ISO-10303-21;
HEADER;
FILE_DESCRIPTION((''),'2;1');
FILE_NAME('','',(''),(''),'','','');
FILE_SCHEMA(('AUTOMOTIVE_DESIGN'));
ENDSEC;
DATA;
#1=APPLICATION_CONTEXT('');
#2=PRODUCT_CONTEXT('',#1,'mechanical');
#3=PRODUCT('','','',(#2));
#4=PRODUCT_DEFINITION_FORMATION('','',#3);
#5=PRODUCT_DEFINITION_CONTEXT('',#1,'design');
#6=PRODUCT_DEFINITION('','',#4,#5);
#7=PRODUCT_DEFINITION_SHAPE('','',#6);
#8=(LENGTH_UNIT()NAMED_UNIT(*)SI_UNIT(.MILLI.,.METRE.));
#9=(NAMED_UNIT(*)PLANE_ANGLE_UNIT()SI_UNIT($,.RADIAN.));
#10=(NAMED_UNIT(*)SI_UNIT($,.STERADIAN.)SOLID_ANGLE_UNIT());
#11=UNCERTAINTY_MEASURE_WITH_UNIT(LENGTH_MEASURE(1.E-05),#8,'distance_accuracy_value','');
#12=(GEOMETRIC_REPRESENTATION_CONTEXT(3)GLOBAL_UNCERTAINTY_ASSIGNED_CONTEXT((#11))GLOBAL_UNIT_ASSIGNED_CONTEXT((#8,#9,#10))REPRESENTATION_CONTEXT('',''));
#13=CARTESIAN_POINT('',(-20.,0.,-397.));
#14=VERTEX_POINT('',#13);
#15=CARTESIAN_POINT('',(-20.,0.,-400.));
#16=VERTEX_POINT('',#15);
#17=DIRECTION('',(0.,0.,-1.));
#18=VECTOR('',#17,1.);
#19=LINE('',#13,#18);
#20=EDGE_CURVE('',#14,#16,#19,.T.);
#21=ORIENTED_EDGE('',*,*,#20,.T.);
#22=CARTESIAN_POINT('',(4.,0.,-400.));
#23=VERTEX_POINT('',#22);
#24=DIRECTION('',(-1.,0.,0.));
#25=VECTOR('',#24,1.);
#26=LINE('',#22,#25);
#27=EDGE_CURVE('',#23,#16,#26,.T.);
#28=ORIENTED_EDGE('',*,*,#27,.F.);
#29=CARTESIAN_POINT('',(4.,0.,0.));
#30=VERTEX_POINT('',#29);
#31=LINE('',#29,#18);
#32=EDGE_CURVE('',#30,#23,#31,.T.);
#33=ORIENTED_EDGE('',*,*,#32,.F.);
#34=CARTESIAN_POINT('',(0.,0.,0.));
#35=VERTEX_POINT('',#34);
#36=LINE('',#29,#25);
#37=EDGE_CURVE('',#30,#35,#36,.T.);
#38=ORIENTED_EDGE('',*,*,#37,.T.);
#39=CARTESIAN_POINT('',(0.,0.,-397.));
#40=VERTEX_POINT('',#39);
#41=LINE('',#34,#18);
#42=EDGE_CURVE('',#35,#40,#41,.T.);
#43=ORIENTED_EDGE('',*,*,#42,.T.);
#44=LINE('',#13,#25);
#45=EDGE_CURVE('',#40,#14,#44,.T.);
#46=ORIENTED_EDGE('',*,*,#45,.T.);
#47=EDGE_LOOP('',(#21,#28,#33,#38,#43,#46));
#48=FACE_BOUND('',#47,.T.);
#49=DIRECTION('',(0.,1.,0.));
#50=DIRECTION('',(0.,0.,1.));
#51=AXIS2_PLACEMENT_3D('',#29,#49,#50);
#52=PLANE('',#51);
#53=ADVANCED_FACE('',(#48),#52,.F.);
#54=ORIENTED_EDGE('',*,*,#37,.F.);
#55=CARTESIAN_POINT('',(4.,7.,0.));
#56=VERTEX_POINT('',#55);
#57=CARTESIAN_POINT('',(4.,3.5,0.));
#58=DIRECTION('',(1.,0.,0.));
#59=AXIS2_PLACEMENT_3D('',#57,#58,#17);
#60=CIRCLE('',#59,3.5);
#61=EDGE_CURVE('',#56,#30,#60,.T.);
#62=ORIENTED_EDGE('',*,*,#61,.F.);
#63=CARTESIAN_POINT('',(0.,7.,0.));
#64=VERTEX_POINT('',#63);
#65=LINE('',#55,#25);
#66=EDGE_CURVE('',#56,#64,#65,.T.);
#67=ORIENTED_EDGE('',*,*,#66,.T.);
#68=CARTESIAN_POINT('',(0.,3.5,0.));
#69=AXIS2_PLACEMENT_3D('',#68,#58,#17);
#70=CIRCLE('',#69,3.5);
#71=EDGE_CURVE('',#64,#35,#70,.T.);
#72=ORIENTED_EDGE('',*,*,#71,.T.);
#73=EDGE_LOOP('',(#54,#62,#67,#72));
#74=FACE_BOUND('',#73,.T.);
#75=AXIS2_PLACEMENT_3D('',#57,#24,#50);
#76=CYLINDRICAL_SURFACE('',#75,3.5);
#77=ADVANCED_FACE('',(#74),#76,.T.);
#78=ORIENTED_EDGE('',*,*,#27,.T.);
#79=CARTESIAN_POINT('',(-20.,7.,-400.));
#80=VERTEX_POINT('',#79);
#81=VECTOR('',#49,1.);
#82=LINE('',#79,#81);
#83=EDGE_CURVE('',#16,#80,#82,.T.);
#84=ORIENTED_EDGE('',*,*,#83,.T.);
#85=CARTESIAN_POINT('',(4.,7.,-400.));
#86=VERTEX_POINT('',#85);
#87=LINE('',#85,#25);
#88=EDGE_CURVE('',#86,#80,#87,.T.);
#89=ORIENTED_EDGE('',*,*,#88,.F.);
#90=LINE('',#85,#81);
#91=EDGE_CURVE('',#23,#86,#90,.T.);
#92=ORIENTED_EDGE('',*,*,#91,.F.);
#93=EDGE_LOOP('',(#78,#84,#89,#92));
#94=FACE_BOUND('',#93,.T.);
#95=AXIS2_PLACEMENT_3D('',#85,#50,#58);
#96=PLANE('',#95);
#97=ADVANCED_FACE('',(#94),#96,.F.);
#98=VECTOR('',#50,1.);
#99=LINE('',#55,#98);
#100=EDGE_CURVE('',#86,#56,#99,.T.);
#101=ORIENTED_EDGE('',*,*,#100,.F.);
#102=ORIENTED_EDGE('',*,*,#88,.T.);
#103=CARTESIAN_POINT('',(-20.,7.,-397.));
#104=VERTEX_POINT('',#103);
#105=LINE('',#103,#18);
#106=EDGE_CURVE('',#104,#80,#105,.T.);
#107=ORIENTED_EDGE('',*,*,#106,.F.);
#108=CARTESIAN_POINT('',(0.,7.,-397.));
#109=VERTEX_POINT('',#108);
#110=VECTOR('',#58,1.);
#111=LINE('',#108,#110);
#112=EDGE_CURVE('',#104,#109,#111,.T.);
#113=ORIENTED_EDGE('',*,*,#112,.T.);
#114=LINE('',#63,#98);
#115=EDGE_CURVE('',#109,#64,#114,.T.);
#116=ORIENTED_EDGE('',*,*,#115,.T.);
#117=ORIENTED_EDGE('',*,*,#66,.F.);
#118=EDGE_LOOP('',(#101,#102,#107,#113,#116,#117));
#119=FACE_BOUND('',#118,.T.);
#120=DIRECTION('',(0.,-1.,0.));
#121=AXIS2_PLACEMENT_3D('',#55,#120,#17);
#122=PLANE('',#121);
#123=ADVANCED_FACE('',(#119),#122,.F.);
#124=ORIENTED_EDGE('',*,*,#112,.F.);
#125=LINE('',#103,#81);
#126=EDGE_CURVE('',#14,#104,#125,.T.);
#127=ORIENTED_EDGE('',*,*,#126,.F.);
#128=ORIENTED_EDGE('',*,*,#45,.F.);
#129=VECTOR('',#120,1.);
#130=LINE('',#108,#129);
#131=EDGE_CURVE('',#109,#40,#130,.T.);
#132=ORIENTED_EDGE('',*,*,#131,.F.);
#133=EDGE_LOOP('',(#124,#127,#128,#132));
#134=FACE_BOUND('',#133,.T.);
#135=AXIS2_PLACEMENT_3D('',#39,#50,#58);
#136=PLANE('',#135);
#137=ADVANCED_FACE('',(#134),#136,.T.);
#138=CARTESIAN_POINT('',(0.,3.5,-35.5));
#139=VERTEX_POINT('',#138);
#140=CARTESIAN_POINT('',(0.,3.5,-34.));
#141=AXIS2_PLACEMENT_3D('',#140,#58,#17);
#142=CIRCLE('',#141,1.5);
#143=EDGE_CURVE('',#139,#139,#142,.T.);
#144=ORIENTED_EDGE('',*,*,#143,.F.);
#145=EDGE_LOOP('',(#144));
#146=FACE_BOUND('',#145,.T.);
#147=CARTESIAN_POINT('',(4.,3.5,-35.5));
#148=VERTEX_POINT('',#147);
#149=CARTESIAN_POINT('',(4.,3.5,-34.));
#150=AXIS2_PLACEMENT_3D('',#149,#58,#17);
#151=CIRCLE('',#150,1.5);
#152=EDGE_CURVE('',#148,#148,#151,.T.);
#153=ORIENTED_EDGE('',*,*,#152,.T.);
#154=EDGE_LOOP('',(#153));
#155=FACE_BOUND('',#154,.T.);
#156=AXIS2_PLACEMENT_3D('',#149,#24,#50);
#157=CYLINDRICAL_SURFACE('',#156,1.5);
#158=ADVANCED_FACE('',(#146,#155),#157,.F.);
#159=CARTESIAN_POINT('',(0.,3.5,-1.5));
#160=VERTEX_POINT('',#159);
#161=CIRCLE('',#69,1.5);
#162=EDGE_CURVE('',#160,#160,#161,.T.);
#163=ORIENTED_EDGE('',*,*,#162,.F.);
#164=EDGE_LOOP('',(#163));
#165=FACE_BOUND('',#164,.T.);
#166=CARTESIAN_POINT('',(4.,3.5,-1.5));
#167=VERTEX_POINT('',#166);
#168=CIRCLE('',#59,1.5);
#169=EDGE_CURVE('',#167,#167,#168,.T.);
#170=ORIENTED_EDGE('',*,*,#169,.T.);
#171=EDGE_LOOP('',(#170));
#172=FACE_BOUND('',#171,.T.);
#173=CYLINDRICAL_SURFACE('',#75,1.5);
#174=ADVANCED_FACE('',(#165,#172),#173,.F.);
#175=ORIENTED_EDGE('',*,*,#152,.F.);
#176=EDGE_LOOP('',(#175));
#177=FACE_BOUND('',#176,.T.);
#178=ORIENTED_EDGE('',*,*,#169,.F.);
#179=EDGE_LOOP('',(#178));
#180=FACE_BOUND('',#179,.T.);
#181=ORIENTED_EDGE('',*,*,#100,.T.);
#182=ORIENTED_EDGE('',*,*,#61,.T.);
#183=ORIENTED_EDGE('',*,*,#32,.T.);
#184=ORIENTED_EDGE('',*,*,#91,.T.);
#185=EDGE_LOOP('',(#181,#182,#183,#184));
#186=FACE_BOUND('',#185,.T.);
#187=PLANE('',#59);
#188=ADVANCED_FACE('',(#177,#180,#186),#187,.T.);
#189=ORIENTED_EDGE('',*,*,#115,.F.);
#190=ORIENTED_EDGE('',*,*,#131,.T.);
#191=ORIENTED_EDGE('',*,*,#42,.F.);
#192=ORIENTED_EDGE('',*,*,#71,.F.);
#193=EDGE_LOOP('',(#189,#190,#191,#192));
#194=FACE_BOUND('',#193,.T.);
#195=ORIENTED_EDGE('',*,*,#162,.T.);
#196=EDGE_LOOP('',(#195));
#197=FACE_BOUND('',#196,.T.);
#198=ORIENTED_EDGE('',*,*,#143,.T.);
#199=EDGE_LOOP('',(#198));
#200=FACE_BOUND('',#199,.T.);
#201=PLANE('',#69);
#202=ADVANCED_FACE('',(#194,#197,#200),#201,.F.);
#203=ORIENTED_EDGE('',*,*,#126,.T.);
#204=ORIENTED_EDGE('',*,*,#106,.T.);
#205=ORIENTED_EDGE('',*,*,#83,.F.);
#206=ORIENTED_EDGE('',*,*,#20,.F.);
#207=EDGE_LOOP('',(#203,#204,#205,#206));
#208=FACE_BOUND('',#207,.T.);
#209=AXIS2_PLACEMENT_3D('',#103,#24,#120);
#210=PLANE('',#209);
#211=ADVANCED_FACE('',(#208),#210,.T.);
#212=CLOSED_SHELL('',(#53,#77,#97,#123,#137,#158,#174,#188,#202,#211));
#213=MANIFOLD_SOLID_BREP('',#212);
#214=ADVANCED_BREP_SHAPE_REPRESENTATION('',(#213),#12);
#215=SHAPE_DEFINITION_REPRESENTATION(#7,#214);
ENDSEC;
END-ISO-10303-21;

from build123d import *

# Parameters (mm, degrees)
SKETCH_1_R      = 1.5
EXTRUDE_1_DEPTH = 4
SKETCH_2_W      = 20
SKETCH_2_H      = 7
EXTRUDE_2_DEPTH = 3


with BuildPart() as part:
    # 草图1 → 凸台-拉伸1 (new body)
    with BuildSketch(Plane(origin=(0, 0, 0), x_dir=(0, 0, -1), z_dir=(1, 0, 0))):
        with BuildLine():
            Line((400, 7), (400, 0))
            Line((400, 0), (0, 0))
            ThreePointArc((0, 0), (-3.5, 3.5), (0, 7))
            Line((0, 7), (400, 7))
        make_face()
        with Locations((0, 3.5)):
            Circle(SKETCH_1_R, mode=Mode.SUBTRACT)
        with Locations((34, 3.5)):
            Circle(SKETCH_1_R, mode=Mode.SUBTRACT)
    extrude(amount=EXTRUDE_1_DEPTH)

    # 草图2 → 凸台-拉伸2 (add)
    with BuildSketch(Plane(origin=(0, 0, -400), x_dir=(-1, 0, 0), z_dir=(0, 0, -1))):
        with Locations((10, 3.5)):
            Rectangle(SKETCH_2_W, SKETCH_2_H)
    extrude(amount=-EXTRUDE_2_DEPTH)


solid = part.part
